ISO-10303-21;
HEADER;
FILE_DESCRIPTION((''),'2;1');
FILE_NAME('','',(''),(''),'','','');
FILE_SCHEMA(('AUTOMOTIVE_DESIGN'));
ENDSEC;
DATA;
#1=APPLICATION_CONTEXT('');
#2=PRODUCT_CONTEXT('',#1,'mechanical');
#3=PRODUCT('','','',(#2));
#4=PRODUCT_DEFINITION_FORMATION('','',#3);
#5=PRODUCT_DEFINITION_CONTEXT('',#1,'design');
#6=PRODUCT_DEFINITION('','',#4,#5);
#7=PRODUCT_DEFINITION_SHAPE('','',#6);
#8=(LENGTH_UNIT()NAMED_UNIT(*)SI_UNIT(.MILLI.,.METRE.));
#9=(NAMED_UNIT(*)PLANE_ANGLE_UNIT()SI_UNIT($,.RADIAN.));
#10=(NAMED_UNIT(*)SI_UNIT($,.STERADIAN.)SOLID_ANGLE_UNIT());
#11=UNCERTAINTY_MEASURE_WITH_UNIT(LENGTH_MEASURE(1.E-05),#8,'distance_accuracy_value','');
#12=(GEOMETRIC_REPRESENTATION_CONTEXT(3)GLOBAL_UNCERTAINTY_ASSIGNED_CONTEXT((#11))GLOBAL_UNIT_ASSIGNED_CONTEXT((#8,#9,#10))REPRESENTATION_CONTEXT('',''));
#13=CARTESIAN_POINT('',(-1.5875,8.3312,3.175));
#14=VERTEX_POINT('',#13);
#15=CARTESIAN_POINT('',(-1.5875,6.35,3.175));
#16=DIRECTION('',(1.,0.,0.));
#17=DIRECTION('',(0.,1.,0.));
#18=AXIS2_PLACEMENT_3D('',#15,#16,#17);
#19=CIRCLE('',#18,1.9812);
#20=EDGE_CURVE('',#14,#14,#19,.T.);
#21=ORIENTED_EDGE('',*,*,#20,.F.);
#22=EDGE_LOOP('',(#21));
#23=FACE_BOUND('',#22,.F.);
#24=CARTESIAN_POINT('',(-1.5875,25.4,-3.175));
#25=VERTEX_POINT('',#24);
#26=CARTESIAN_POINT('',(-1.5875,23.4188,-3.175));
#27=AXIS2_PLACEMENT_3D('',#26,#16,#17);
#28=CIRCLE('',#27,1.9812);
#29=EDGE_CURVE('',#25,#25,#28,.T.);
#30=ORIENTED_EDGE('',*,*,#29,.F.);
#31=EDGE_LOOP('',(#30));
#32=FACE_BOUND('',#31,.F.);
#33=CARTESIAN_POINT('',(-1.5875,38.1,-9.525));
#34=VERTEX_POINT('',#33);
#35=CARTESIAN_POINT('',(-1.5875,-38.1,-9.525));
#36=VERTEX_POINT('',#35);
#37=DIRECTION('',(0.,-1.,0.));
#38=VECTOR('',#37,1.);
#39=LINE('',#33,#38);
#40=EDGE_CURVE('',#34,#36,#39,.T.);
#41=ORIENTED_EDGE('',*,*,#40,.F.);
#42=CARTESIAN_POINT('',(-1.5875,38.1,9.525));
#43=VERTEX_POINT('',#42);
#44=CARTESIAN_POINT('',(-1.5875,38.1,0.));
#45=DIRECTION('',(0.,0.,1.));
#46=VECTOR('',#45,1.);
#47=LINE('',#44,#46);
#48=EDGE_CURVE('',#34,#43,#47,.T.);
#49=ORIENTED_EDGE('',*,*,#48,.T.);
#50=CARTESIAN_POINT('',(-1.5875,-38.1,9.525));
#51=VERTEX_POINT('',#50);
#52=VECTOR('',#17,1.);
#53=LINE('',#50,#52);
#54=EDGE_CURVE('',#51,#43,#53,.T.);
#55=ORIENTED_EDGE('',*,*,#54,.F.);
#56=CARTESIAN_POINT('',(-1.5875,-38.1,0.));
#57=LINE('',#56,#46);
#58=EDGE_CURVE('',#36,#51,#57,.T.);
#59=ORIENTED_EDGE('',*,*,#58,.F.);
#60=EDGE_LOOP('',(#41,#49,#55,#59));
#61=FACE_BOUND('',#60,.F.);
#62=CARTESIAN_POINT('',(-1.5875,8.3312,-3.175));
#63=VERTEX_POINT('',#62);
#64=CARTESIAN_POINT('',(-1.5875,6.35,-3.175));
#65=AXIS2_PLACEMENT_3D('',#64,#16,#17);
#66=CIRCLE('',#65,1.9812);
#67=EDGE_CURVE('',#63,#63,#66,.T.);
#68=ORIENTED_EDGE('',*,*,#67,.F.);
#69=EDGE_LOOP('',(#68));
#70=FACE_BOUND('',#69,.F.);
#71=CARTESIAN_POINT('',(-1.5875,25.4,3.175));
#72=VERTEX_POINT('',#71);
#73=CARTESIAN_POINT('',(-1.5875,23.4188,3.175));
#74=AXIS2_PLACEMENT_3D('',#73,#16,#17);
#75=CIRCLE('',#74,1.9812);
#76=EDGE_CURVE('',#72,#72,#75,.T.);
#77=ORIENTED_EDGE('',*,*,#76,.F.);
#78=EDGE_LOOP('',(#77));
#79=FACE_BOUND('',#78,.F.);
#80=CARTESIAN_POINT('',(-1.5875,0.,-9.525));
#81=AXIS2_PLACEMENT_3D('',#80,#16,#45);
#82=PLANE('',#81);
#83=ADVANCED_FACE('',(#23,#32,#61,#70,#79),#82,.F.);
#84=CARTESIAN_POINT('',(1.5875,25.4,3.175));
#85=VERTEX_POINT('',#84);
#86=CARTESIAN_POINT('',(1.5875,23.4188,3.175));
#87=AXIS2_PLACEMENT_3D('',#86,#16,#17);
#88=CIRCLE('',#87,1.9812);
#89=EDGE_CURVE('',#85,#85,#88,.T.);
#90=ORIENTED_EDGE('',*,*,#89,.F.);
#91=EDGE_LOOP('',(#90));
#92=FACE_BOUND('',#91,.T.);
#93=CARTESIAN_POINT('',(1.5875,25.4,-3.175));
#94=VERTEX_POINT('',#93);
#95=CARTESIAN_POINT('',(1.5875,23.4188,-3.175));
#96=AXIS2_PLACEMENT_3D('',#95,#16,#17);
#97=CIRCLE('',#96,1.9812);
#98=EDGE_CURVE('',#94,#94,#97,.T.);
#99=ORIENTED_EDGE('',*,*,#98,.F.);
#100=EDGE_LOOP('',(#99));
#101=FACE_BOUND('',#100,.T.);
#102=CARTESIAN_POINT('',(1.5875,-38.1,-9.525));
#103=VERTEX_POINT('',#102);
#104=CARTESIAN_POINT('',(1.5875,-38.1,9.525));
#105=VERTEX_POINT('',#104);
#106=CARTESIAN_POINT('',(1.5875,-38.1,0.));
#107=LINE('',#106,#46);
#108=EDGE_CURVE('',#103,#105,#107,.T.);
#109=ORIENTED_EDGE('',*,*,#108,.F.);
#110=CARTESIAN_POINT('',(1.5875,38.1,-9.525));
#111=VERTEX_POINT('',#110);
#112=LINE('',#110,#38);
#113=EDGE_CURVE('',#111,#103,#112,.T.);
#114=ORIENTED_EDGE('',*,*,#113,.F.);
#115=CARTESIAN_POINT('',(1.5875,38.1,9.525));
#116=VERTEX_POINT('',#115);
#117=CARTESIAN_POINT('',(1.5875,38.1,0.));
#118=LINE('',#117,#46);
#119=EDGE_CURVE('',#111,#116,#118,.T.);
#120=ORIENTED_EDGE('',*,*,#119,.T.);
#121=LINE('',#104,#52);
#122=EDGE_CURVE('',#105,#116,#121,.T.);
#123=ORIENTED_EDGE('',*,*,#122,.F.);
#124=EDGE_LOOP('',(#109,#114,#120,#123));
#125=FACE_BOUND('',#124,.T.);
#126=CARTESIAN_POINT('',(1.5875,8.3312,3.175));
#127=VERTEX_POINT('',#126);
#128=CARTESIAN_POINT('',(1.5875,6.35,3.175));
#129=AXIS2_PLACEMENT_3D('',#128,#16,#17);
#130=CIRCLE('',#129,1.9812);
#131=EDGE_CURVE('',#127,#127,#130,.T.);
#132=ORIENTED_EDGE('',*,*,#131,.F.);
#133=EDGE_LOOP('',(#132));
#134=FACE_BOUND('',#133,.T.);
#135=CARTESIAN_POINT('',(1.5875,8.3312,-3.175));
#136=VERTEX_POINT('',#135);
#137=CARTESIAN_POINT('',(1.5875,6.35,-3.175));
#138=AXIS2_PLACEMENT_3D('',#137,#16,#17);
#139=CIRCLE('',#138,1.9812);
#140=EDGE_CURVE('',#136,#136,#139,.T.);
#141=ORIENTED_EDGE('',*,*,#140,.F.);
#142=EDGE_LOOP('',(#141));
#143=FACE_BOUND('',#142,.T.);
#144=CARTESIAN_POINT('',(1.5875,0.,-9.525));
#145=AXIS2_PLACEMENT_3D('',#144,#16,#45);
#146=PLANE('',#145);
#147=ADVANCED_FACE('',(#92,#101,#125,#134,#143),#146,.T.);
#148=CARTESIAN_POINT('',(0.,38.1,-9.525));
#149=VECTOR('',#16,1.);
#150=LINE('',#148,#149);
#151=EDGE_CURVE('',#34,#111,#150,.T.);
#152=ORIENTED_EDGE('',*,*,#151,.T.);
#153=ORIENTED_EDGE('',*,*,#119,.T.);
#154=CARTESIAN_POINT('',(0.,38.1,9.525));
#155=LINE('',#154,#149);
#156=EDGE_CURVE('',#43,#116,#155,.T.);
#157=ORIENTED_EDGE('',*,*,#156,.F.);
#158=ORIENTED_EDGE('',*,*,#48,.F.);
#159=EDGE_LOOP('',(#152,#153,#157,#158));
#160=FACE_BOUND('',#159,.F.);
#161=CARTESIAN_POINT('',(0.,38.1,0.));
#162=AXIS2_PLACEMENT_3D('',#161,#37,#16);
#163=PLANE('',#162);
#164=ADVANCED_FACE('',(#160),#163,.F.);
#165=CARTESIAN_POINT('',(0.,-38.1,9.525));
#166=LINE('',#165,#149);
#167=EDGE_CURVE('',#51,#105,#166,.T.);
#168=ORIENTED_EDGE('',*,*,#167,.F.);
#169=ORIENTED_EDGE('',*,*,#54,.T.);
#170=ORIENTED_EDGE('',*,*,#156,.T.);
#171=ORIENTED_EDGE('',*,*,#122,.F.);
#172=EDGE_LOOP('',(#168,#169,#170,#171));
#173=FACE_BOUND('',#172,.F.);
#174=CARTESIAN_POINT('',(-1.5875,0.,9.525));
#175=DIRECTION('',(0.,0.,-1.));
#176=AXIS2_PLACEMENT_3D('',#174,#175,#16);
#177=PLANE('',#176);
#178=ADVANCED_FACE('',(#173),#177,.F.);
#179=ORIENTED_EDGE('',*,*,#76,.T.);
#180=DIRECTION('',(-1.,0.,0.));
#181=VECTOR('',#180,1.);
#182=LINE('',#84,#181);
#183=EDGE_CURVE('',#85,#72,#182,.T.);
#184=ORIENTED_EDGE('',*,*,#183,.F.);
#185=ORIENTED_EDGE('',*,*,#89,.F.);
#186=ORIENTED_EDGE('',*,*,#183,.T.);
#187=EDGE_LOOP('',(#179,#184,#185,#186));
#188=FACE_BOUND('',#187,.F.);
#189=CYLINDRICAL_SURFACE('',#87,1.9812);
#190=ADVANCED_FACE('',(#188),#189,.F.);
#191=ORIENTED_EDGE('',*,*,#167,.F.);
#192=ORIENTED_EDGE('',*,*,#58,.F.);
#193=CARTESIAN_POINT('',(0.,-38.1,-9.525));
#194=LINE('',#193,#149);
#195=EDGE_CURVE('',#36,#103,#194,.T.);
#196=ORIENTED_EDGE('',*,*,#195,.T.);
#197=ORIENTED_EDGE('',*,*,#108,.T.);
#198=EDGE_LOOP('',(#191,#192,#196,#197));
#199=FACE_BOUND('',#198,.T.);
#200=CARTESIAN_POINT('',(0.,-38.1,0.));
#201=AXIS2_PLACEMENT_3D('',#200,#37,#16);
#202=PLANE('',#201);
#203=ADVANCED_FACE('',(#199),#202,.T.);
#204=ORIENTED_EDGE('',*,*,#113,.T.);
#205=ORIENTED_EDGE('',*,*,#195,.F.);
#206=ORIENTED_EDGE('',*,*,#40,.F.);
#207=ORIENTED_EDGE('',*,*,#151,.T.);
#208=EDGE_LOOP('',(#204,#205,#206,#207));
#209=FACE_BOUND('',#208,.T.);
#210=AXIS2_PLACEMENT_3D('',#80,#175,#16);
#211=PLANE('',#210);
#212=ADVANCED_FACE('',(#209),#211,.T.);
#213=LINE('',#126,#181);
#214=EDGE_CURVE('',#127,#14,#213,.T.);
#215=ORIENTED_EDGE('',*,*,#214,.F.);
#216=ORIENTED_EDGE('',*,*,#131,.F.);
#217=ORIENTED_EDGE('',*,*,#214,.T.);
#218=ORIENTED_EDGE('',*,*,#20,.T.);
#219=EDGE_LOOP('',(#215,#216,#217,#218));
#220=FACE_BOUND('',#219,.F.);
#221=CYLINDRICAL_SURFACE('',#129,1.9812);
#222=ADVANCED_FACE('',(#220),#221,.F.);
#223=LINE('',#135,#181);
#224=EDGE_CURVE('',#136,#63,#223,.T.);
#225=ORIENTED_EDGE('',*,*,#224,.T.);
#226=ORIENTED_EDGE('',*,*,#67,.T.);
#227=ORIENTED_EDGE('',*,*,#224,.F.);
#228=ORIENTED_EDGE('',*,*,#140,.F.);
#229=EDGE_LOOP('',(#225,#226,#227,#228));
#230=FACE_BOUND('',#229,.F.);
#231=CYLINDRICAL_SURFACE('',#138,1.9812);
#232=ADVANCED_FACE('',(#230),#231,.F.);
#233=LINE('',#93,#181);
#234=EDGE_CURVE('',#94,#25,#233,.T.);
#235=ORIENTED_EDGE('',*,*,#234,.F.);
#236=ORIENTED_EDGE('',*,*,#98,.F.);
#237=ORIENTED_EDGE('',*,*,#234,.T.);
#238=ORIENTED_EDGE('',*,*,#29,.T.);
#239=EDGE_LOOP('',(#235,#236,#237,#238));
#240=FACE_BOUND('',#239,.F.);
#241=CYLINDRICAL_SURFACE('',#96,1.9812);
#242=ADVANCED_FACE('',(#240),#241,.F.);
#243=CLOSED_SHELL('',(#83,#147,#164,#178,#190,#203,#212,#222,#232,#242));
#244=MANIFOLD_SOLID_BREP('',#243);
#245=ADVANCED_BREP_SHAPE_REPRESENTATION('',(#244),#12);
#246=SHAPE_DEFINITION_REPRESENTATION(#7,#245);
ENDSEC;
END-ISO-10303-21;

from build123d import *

# Parameters (mm, degrees)
F0_W     = 3.175
F0_H     = 19.05
F1_DEPTH = 38.1
F2_R     = 1.9812
F3_DEPTH = 3.176
F4_R     = 1.9812
F5_DEPTH = 3.176


with BuildPart() as f1:
    # F0 (on Front) → F1 (new body, symmetric)
    with BuildSketch(Plane.XZ):
        Rectangle(F0_W, F0_H)
    extrude(amount=F1_DEPTH, both=True)

    # F2 (on face) → F3 (cut, through all)
    with BuildSketch(Plane.YZ.offset(1.5875)):
        with Locations((23.4188, 3.175)):
            Circle(F2_R)
        with Locations((23.4188, -3.175)):
            Circle(F2_R)
    extrude(amount=-F3_DEPTH, mode=Mode.SUBTRACT)

    # F4 (on face) → F5 (cut, through all)
    with BuildSketch(Plane.YZ.offset(1.5875)):
        with Locations((6.35, 3.175)):
            Circle(F4_R)
        with Locations((6.35, -3.175)):
            Circle(F4_R)
    extrude(amount=-F5_DEPTH, mode=Mode.SUBTRACT)


solid = f1.part
